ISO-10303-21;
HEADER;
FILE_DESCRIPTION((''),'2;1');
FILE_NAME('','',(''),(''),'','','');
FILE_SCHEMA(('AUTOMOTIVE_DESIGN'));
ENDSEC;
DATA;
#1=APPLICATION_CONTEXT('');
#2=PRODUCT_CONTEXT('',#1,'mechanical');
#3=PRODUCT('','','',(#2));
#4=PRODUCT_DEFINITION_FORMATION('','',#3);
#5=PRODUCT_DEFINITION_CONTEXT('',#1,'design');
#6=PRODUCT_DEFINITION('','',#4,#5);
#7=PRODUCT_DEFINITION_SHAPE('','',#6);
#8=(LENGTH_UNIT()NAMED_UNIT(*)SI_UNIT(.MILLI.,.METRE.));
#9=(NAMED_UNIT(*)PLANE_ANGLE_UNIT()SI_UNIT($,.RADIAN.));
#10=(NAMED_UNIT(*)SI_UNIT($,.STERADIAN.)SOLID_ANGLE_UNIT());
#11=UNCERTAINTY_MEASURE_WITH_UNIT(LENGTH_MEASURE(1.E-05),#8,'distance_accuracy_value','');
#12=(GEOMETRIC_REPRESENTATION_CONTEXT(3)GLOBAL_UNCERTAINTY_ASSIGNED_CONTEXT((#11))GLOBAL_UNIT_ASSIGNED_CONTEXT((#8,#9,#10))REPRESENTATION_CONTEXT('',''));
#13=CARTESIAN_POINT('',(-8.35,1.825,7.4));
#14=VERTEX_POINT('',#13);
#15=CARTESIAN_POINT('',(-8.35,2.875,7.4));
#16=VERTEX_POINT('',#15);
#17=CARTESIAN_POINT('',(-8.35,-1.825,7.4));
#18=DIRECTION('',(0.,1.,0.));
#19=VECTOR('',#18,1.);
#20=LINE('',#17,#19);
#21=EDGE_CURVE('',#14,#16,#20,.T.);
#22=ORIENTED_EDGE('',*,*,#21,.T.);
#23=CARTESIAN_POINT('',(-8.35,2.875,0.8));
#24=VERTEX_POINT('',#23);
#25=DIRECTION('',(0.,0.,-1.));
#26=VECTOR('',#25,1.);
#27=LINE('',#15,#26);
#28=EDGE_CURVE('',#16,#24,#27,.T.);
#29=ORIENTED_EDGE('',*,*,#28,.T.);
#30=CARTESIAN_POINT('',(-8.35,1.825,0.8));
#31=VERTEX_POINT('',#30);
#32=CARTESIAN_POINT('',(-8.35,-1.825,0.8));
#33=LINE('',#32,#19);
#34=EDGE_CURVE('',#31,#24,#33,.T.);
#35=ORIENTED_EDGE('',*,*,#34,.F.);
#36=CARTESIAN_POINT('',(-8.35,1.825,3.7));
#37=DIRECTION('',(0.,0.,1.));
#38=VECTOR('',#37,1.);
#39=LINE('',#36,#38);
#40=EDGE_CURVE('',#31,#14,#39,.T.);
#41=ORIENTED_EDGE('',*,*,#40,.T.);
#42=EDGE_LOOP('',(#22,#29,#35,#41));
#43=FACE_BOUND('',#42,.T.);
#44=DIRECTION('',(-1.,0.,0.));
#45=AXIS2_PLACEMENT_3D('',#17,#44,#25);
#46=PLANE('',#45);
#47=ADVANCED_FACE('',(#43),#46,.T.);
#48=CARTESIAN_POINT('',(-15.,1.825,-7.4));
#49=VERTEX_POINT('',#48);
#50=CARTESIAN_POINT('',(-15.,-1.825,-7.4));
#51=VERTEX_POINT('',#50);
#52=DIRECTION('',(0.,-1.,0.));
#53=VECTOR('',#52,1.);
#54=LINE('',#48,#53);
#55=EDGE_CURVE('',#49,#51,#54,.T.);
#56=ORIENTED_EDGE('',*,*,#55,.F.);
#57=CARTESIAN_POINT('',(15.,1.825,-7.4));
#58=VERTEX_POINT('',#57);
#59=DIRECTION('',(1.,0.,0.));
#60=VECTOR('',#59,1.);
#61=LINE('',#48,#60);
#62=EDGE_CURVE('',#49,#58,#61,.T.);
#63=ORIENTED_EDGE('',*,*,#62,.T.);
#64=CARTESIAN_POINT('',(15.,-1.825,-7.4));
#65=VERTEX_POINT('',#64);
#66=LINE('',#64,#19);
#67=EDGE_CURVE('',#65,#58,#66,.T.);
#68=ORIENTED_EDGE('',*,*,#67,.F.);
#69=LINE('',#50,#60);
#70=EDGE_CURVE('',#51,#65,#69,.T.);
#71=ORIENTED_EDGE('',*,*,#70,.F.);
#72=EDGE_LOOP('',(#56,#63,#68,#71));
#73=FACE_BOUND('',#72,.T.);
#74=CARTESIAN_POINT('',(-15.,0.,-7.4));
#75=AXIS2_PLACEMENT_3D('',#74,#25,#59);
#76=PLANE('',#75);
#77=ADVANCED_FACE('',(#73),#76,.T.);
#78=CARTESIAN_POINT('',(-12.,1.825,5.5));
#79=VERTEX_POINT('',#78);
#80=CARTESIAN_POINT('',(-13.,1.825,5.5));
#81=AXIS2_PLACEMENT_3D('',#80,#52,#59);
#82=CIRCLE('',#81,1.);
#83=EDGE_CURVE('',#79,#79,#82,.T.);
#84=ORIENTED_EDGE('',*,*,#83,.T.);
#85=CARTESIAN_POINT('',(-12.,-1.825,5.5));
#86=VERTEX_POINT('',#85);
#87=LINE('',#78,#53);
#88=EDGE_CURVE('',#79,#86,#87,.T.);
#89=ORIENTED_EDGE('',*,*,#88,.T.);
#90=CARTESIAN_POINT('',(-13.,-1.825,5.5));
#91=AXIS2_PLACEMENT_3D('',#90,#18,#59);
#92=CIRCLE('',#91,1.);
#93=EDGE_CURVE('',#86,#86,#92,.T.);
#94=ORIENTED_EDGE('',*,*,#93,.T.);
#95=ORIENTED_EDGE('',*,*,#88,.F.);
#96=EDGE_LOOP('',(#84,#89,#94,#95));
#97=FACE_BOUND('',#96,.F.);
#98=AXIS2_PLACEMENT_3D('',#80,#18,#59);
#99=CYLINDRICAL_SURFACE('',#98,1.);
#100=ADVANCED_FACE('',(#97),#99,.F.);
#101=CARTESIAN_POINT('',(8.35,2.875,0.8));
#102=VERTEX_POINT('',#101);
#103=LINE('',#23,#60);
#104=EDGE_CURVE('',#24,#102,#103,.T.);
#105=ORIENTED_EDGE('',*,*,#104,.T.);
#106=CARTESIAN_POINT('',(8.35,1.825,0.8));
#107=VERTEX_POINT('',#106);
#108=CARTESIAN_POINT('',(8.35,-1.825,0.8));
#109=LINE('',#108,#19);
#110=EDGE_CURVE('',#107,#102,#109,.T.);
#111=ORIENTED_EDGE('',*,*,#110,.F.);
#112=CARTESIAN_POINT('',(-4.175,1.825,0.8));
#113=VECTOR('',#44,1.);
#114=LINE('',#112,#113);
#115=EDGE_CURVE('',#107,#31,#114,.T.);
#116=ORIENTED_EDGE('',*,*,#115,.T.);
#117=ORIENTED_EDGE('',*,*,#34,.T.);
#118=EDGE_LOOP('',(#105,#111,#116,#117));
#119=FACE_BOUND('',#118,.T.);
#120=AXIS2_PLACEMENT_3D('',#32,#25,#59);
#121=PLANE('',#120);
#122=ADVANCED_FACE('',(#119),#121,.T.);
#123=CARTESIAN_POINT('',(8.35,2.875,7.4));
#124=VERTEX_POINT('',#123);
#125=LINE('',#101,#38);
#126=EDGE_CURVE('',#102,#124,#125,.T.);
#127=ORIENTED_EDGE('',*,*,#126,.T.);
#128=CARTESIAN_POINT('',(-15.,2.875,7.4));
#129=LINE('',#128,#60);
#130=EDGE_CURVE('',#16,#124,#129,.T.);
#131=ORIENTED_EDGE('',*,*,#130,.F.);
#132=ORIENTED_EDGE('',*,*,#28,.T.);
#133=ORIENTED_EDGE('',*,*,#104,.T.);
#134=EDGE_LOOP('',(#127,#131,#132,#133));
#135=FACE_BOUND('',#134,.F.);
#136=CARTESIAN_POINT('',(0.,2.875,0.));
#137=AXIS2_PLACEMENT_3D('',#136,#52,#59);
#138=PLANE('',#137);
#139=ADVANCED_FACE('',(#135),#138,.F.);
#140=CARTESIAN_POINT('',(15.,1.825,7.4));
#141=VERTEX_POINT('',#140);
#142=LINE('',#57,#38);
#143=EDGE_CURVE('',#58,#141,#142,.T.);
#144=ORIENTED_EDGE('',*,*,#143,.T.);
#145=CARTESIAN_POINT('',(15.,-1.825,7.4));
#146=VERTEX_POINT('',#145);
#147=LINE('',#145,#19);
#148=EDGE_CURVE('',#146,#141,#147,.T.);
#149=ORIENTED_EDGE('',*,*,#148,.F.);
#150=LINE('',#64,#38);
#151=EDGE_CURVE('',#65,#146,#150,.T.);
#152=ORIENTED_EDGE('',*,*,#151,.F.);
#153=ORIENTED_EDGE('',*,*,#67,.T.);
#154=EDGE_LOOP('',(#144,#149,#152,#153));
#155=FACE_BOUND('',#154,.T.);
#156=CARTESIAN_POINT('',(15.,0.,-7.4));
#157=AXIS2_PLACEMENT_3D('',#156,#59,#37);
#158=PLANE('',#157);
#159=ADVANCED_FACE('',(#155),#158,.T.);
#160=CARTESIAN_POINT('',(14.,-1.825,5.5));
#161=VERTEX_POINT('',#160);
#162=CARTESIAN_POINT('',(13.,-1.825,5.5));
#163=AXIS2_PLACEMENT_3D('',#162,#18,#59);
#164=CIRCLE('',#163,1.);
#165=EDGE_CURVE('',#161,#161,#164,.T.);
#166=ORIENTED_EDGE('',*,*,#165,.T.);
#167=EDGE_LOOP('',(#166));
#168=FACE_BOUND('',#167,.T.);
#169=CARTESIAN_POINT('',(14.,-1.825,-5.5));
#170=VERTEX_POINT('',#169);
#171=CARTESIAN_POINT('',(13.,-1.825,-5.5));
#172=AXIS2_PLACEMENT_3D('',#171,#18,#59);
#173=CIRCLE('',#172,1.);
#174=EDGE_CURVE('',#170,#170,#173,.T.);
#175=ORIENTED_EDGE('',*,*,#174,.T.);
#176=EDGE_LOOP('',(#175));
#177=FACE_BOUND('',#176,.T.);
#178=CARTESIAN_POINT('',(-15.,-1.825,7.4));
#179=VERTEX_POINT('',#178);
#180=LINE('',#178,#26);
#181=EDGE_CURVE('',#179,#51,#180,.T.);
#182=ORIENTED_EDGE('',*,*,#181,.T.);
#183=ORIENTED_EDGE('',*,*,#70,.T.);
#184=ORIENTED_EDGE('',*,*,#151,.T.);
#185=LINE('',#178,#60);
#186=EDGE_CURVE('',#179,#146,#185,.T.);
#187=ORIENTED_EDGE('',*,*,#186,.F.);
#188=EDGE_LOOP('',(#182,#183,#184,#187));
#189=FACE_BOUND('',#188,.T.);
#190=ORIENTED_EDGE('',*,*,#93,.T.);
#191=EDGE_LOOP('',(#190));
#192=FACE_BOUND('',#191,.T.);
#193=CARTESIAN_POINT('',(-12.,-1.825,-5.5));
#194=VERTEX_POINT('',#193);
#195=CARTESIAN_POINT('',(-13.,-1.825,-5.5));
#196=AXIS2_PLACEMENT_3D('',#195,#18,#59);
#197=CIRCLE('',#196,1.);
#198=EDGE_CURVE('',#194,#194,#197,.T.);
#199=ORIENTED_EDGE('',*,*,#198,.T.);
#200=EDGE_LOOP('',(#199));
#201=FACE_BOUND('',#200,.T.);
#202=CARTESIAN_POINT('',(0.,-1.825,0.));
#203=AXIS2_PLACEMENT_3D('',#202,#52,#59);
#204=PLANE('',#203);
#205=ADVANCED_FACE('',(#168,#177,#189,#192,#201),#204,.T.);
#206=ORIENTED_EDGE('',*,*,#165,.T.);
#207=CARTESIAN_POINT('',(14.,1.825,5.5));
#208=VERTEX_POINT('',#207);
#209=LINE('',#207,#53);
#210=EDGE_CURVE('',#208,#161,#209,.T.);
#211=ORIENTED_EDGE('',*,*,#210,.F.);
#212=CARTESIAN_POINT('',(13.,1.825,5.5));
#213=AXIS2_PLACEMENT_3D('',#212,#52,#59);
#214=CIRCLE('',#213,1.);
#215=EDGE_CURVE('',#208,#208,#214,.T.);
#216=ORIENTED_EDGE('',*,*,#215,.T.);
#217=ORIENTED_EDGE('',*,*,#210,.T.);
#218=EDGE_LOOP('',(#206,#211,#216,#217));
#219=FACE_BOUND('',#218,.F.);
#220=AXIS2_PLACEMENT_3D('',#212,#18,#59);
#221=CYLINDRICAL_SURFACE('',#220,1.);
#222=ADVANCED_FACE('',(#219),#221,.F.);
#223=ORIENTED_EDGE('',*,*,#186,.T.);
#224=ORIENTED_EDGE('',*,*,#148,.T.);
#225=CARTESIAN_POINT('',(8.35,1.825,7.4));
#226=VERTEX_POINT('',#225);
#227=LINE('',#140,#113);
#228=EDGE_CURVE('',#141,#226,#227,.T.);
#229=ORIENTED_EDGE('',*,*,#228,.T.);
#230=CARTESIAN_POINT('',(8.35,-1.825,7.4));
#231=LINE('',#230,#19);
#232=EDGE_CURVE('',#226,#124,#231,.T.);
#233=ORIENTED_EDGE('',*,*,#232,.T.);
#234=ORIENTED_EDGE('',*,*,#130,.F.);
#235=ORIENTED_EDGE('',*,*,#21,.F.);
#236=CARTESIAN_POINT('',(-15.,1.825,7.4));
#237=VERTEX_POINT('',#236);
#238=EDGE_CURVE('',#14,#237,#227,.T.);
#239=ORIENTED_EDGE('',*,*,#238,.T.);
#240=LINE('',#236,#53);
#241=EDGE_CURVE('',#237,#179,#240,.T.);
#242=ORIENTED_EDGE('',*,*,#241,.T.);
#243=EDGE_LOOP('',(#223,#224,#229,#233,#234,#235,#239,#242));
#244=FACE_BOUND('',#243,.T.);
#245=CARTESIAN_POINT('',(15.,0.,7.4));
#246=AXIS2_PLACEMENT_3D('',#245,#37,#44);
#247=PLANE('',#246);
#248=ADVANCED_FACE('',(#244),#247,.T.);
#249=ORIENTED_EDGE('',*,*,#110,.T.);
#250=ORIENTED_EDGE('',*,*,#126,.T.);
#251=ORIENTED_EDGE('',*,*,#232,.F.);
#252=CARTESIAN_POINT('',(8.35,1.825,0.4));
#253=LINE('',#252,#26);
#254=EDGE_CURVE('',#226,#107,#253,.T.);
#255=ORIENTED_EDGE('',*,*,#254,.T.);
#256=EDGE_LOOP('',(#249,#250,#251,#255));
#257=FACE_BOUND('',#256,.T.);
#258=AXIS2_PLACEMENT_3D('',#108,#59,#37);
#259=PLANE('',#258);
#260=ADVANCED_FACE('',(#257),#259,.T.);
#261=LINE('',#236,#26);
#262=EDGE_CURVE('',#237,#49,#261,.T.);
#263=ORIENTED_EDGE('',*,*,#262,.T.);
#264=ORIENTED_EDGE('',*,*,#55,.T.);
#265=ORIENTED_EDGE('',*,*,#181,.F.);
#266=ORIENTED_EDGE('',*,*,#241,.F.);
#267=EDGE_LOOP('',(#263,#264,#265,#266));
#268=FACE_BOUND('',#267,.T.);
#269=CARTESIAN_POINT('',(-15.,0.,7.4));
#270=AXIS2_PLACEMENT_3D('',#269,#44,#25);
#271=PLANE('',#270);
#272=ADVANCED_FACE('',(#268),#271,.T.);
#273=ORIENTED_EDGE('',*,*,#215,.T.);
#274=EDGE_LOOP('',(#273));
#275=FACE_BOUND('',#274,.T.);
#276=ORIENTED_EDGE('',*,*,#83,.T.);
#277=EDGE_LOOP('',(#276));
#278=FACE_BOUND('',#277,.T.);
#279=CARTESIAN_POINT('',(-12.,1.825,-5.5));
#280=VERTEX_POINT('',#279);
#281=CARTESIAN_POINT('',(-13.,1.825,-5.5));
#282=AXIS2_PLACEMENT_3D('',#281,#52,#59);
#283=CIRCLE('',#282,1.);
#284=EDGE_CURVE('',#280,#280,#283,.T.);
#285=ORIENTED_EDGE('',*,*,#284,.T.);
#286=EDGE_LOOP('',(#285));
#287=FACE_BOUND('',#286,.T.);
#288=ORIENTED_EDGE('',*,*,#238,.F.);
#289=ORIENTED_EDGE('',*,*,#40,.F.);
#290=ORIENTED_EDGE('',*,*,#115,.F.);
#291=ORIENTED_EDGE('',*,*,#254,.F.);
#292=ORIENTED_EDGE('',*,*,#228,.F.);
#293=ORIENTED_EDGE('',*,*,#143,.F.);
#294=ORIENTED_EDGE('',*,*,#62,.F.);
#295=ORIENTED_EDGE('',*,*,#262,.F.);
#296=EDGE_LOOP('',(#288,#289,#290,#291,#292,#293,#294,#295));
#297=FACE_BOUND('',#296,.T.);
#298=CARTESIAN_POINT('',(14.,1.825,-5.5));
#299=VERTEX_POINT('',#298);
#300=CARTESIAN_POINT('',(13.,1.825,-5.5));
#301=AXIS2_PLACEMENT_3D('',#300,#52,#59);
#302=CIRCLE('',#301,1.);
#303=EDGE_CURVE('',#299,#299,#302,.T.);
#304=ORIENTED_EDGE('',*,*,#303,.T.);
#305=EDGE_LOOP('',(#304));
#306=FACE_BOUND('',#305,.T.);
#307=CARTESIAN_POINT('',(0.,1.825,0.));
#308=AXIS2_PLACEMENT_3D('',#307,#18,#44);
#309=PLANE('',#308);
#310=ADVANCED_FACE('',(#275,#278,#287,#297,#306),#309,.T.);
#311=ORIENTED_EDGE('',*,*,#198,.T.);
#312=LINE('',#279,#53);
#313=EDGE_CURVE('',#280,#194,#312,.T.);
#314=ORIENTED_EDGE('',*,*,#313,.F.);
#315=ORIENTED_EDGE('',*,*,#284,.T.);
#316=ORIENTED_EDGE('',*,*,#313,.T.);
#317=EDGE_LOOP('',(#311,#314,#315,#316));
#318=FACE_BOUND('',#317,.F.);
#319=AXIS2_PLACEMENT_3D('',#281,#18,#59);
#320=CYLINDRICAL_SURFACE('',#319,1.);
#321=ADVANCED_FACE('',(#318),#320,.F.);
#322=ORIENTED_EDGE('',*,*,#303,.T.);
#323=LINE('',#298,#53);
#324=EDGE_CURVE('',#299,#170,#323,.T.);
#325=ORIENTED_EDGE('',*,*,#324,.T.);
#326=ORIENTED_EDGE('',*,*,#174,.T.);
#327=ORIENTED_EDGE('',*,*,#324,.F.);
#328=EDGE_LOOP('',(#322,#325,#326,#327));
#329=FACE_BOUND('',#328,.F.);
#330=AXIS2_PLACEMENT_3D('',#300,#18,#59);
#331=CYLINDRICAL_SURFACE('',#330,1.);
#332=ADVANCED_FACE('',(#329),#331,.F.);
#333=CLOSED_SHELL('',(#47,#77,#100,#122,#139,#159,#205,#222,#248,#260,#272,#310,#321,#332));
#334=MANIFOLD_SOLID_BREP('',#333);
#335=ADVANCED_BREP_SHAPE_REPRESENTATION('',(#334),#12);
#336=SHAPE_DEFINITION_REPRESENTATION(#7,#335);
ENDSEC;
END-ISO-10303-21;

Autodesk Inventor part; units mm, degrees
ref_plane "YZ Plane" through (0, 0, 0) normal (1, 0, 0) x (0, 1, 0)
ref_plane "XZ Plane" through (0, 0, 0) normal (0, 1, 0) x (-1, 0, 0)
ref_plane "XY Plane" through (0, 0, 0) normal (0, 0, 1) x (1, 0, 0)
sketch "Эскиз1" plane through (0, 0, 0) normal (0, 1, 0) x (-1, 0, 0)
  line L0 (-15, 7.4) -> (15, 7.4)
  line L1 (15, 7.4) -> (15, -7.4)
  line L2 (15, -7.4) -> (-15, -7.4)
  line L3 (-15, -7.4) -> (-15, 7.4)
  line L4 (-15, 7.4) -> (15, -7.4) construction
  line L5 (15, 7.4) -> (-15, -7.4) construction
  point P0 (0, 0)
  dimension "d0" = 30
  dimension "d1" = 14.8
extrude "Выдавливание1" add sketch "Эскиз1" along normal mid plane 3.65
sketch "Эскиз2" plane through (0, -1.825, 0) normal (0, -1, 0) x (1, 0, 0)
  line L0 (-15, 7.4) -> (15, 7.4) projected
  line L1 (8.35, 7.4) -> (-8.35, 7.4)
  line L2 (-8.35, 7.4) -> (-8.35, 0.8)
  line L3 (-8.35, 0.8) -> (8.35, 0.8)
  line L4 (8.35, 0.8) -> (8.35, 7.4)
  point P0 (0, 0)
  point P1 (0, 7.4)
  dimension "d4" = 16.7
  dimension "d5" = 6.6
extrude "Выдавливание2" add sketch "Эскиз2" against normal blind 4.7
sketch "Эскиз3" plane through (0, 1.825, 0) normal (0, 1, 0) x (1, 0, 0)
  line L0 (15, -7.4) -> (-15, -7.4) projected
  line L1 (-15, -7.4) -> (-15, 7.4) projected
  line L2 (-15, 7.4) -> (15, 7.4) projected
  line L3 (15, 7.4) -> (15, -7.4) projected
  line L4 (13, -5.5) -> (-13, -5.5)
  line L5 (-13, -5.5) -> (-13, 5.5)
  line L6 (-13, 5.5) -> (13, 5.5)
  line L7 (13, 5.5) -> (13, -5.5)
  line L8 (13, -5.5) -> (-13, 5.5) construction
  line L9 (-13, -5.5) -> (13, 5.5) construction
  circle A0 centre (-13, -5.5) radius 1
  circle A1 centre (-13, 5.5) radius 1
  circle A2 centre (13, 5.5) radius 1
  circle A3 centre (13, -5.5) radius 1
  point P0 (0, 0)
  dimension "d8" = 26
  dimension "d9" = 11
  dimension "d10" = 2
  dimension "d11" = 2
  dimension "d12" = 2
  dimension "d13" = 2
extrude "Выдавливание3" cut sketch "Эскиз3" against normal blind 10 contours A0 L5 L4 | L4 L5 A0 | A3 L7 L4 | L4 L7 A3 | A1 L6 L5 | L5 L6 A1 | A2 L6 L7 | L7 L6 A2
properties part number "usb_camera_board"
